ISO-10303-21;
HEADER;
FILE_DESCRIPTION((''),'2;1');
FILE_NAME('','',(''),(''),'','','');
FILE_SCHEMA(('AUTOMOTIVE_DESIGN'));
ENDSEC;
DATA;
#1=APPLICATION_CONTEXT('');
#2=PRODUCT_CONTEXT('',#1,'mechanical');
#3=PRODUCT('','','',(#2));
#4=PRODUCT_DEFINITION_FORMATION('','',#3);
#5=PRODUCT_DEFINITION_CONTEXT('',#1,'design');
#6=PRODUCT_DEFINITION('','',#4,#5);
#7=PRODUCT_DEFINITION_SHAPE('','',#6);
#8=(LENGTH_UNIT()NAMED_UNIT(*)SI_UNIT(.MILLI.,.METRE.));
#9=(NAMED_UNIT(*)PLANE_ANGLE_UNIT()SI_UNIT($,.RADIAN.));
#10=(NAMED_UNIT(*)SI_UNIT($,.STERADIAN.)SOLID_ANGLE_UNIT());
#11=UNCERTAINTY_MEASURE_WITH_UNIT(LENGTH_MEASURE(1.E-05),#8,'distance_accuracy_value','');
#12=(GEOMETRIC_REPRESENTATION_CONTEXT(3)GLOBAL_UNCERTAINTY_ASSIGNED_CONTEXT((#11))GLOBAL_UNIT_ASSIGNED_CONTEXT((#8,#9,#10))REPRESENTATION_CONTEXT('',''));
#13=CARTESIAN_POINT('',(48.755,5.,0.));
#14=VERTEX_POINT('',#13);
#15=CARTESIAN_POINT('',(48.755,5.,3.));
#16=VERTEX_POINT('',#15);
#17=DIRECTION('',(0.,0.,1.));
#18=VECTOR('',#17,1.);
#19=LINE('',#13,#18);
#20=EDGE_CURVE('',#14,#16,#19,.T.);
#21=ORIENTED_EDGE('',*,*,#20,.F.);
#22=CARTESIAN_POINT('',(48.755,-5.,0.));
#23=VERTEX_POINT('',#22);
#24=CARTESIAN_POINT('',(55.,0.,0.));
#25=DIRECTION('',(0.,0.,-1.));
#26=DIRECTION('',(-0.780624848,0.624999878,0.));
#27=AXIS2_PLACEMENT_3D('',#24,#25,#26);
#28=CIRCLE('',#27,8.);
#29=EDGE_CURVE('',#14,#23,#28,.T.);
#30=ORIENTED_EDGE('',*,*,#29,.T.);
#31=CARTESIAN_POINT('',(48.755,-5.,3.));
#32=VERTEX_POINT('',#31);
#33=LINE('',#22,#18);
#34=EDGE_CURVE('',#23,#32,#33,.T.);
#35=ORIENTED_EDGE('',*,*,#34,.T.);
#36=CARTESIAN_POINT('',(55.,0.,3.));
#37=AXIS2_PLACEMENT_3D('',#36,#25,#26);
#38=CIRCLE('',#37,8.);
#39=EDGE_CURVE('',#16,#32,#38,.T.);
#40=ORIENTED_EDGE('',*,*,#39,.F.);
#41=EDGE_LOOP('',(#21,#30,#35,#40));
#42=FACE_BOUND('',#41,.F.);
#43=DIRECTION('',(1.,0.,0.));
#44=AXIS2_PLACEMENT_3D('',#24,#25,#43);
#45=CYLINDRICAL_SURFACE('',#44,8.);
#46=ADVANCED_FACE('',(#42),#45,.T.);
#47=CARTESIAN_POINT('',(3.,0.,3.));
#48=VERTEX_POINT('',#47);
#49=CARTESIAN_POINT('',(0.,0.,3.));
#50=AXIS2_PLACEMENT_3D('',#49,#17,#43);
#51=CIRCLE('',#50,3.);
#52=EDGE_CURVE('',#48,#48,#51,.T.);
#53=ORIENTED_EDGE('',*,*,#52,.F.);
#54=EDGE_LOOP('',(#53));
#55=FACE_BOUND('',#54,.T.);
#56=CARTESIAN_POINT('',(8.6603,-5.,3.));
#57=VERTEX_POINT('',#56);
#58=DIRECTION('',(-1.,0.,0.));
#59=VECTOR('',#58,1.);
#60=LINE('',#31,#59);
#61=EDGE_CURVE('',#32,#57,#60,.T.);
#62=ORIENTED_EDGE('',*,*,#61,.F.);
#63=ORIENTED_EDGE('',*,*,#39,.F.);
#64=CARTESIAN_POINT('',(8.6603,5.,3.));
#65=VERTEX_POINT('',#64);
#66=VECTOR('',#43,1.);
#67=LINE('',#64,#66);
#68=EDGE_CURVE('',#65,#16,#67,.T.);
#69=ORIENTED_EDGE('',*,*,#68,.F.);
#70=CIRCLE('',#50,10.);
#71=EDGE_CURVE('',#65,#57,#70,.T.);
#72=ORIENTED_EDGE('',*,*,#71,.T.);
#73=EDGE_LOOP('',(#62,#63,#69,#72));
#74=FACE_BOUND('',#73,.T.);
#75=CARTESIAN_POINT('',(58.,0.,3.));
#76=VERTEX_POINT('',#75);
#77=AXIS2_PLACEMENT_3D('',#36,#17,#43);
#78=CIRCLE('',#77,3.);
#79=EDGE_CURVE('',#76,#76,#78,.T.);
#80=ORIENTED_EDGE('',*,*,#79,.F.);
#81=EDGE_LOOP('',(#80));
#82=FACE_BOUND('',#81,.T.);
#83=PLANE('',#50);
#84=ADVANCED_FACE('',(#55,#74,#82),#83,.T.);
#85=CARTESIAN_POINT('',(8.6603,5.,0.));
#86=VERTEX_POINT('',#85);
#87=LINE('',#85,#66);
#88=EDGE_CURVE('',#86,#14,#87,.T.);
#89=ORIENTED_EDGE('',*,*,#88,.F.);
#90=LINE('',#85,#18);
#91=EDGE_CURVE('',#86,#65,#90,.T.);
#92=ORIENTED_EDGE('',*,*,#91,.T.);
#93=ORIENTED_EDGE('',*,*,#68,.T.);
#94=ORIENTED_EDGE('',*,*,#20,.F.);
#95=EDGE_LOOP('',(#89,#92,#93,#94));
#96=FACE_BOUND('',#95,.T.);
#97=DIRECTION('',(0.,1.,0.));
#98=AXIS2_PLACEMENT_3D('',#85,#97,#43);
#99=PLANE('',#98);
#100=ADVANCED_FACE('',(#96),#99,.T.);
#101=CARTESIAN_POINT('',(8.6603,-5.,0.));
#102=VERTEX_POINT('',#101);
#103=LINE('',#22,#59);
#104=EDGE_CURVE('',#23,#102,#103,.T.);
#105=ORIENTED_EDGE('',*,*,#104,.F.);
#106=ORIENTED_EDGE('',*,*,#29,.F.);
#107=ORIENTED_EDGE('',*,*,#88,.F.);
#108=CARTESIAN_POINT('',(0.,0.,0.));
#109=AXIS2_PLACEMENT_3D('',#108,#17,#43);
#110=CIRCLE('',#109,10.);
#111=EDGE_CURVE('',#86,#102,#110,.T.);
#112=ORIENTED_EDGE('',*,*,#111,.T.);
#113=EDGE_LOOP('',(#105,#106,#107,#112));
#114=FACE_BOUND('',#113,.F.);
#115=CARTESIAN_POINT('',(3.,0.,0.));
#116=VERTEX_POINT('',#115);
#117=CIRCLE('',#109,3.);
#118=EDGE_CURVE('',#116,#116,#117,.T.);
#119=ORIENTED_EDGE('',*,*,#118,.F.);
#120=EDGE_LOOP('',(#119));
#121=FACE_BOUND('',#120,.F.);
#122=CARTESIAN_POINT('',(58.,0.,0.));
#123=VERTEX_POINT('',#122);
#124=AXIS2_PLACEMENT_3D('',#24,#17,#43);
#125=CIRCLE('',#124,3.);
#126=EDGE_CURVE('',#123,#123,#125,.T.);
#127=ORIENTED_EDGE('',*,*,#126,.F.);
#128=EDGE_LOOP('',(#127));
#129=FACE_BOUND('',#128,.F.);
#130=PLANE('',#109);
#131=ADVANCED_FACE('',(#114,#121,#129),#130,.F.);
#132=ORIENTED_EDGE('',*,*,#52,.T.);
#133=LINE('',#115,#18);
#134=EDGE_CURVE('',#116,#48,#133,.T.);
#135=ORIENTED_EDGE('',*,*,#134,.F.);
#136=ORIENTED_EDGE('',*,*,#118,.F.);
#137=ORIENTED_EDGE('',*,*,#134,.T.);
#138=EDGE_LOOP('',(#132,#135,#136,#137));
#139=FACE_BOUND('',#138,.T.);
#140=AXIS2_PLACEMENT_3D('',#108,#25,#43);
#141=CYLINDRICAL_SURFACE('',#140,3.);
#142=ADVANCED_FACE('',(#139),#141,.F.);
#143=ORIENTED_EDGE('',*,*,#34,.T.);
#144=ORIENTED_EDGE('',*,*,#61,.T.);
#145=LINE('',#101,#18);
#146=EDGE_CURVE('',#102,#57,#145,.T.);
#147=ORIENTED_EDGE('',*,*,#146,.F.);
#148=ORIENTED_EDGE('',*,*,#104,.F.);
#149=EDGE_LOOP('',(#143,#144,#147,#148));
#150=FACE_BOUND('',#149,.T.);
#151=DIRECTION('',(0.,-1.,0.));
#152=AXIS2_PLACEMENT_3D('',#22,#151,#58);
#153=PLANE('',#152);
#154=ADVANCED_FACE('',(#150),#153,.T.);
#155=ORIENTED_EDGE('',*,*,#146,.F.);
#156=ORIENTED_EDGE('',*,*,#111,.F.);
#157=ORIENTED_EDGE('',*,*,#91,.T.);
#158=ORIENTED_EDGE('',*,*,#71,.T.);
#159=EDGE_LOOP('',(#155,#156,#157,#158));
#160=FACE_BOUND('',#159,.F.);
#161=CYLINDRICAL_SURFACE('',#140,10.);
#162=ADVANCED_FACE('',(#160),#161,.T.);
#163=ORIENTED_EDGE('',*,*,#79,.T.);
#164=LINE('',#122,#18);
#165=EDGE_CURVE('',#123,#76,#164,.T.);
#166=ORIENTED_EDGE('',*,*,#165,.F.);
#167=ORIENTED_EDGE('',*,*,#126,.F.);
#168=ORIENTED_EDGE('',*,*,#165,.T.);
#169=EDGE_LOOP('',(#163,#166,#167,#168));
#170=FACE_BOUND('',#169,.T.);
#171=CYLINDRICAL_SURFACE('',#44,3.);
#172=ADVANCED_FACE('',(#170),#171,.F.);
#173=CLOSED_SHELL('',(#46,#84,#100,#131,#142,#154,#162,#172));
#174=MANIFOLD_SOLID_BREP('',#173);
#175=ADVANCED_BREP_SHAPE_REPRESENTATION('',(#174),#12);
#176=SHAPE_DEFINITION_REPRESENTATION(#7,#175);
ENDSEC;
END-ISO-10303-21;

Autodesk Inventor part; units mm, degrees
ref_plane "YZ Plane" through (0, 0, 0) normal (1, 0, 0) x (0, 1, 0)
ref_plane "XZ Plane" through (0, 0, 0) normal (0, 1, 0) x (-1, 0, 0)
ref_plane "XY Plane" through (0, 0, 0) normal (0, 0, 1) x (1, 0, 0)
sketch "Base" plane through (0, 0, 0) normal (0, 0, 1) x (1, 0, 0)
  circle A0 centre (0, 0) radius 10
  line L0 (0, 0) -> (55, 0) construction
  circle A1 centre (55, 0) radius 8
  line L1 (8.6603, 5) -> (48.755, 5)
  line L2 (48.755, 5) -> (48.755, -5)
  line L3 (48.755, -5) -> (8.6603, -5)
  line L4 (8.6603, -5) -> (8.6603, 5)
  circle A2 centre (55, 0) radius 3
  circle A3 centre (0, 0) radius 3
  point P0 (8.6603, 0)
  point P1 (8.6603, -5)
  dimension "d0" = 20
  dimension "d2" = 16
  dimension "d1" = 55
  dimension "d3" = 10
  dimension "d4" = 6
  dimension "d5" = 6
extrude "Plate1" add sketch "Base" along normal blind 3
equation "\"d6\" = Thickness"
equation "\"BendRadius\" = Thickness"
equation "\"BendReliefWidth\" = Thickness"
equation "\"BendReliefDepth\" = 0.5 * Thickness"
equation "\"CornerReliefSize\" = 4 * Thickness"
equation "\"MinimumRemnant\" = 2 * Thickness"
equation "\"TransitionRadius\" = BendRadius"
equation "\"JacobiRadiusSize\" = BendRadius"
equation "\"GapSize\" = Thickness"
equation "\"Thickness\" = 3"
properties part number "LegChainTensionerArm"
